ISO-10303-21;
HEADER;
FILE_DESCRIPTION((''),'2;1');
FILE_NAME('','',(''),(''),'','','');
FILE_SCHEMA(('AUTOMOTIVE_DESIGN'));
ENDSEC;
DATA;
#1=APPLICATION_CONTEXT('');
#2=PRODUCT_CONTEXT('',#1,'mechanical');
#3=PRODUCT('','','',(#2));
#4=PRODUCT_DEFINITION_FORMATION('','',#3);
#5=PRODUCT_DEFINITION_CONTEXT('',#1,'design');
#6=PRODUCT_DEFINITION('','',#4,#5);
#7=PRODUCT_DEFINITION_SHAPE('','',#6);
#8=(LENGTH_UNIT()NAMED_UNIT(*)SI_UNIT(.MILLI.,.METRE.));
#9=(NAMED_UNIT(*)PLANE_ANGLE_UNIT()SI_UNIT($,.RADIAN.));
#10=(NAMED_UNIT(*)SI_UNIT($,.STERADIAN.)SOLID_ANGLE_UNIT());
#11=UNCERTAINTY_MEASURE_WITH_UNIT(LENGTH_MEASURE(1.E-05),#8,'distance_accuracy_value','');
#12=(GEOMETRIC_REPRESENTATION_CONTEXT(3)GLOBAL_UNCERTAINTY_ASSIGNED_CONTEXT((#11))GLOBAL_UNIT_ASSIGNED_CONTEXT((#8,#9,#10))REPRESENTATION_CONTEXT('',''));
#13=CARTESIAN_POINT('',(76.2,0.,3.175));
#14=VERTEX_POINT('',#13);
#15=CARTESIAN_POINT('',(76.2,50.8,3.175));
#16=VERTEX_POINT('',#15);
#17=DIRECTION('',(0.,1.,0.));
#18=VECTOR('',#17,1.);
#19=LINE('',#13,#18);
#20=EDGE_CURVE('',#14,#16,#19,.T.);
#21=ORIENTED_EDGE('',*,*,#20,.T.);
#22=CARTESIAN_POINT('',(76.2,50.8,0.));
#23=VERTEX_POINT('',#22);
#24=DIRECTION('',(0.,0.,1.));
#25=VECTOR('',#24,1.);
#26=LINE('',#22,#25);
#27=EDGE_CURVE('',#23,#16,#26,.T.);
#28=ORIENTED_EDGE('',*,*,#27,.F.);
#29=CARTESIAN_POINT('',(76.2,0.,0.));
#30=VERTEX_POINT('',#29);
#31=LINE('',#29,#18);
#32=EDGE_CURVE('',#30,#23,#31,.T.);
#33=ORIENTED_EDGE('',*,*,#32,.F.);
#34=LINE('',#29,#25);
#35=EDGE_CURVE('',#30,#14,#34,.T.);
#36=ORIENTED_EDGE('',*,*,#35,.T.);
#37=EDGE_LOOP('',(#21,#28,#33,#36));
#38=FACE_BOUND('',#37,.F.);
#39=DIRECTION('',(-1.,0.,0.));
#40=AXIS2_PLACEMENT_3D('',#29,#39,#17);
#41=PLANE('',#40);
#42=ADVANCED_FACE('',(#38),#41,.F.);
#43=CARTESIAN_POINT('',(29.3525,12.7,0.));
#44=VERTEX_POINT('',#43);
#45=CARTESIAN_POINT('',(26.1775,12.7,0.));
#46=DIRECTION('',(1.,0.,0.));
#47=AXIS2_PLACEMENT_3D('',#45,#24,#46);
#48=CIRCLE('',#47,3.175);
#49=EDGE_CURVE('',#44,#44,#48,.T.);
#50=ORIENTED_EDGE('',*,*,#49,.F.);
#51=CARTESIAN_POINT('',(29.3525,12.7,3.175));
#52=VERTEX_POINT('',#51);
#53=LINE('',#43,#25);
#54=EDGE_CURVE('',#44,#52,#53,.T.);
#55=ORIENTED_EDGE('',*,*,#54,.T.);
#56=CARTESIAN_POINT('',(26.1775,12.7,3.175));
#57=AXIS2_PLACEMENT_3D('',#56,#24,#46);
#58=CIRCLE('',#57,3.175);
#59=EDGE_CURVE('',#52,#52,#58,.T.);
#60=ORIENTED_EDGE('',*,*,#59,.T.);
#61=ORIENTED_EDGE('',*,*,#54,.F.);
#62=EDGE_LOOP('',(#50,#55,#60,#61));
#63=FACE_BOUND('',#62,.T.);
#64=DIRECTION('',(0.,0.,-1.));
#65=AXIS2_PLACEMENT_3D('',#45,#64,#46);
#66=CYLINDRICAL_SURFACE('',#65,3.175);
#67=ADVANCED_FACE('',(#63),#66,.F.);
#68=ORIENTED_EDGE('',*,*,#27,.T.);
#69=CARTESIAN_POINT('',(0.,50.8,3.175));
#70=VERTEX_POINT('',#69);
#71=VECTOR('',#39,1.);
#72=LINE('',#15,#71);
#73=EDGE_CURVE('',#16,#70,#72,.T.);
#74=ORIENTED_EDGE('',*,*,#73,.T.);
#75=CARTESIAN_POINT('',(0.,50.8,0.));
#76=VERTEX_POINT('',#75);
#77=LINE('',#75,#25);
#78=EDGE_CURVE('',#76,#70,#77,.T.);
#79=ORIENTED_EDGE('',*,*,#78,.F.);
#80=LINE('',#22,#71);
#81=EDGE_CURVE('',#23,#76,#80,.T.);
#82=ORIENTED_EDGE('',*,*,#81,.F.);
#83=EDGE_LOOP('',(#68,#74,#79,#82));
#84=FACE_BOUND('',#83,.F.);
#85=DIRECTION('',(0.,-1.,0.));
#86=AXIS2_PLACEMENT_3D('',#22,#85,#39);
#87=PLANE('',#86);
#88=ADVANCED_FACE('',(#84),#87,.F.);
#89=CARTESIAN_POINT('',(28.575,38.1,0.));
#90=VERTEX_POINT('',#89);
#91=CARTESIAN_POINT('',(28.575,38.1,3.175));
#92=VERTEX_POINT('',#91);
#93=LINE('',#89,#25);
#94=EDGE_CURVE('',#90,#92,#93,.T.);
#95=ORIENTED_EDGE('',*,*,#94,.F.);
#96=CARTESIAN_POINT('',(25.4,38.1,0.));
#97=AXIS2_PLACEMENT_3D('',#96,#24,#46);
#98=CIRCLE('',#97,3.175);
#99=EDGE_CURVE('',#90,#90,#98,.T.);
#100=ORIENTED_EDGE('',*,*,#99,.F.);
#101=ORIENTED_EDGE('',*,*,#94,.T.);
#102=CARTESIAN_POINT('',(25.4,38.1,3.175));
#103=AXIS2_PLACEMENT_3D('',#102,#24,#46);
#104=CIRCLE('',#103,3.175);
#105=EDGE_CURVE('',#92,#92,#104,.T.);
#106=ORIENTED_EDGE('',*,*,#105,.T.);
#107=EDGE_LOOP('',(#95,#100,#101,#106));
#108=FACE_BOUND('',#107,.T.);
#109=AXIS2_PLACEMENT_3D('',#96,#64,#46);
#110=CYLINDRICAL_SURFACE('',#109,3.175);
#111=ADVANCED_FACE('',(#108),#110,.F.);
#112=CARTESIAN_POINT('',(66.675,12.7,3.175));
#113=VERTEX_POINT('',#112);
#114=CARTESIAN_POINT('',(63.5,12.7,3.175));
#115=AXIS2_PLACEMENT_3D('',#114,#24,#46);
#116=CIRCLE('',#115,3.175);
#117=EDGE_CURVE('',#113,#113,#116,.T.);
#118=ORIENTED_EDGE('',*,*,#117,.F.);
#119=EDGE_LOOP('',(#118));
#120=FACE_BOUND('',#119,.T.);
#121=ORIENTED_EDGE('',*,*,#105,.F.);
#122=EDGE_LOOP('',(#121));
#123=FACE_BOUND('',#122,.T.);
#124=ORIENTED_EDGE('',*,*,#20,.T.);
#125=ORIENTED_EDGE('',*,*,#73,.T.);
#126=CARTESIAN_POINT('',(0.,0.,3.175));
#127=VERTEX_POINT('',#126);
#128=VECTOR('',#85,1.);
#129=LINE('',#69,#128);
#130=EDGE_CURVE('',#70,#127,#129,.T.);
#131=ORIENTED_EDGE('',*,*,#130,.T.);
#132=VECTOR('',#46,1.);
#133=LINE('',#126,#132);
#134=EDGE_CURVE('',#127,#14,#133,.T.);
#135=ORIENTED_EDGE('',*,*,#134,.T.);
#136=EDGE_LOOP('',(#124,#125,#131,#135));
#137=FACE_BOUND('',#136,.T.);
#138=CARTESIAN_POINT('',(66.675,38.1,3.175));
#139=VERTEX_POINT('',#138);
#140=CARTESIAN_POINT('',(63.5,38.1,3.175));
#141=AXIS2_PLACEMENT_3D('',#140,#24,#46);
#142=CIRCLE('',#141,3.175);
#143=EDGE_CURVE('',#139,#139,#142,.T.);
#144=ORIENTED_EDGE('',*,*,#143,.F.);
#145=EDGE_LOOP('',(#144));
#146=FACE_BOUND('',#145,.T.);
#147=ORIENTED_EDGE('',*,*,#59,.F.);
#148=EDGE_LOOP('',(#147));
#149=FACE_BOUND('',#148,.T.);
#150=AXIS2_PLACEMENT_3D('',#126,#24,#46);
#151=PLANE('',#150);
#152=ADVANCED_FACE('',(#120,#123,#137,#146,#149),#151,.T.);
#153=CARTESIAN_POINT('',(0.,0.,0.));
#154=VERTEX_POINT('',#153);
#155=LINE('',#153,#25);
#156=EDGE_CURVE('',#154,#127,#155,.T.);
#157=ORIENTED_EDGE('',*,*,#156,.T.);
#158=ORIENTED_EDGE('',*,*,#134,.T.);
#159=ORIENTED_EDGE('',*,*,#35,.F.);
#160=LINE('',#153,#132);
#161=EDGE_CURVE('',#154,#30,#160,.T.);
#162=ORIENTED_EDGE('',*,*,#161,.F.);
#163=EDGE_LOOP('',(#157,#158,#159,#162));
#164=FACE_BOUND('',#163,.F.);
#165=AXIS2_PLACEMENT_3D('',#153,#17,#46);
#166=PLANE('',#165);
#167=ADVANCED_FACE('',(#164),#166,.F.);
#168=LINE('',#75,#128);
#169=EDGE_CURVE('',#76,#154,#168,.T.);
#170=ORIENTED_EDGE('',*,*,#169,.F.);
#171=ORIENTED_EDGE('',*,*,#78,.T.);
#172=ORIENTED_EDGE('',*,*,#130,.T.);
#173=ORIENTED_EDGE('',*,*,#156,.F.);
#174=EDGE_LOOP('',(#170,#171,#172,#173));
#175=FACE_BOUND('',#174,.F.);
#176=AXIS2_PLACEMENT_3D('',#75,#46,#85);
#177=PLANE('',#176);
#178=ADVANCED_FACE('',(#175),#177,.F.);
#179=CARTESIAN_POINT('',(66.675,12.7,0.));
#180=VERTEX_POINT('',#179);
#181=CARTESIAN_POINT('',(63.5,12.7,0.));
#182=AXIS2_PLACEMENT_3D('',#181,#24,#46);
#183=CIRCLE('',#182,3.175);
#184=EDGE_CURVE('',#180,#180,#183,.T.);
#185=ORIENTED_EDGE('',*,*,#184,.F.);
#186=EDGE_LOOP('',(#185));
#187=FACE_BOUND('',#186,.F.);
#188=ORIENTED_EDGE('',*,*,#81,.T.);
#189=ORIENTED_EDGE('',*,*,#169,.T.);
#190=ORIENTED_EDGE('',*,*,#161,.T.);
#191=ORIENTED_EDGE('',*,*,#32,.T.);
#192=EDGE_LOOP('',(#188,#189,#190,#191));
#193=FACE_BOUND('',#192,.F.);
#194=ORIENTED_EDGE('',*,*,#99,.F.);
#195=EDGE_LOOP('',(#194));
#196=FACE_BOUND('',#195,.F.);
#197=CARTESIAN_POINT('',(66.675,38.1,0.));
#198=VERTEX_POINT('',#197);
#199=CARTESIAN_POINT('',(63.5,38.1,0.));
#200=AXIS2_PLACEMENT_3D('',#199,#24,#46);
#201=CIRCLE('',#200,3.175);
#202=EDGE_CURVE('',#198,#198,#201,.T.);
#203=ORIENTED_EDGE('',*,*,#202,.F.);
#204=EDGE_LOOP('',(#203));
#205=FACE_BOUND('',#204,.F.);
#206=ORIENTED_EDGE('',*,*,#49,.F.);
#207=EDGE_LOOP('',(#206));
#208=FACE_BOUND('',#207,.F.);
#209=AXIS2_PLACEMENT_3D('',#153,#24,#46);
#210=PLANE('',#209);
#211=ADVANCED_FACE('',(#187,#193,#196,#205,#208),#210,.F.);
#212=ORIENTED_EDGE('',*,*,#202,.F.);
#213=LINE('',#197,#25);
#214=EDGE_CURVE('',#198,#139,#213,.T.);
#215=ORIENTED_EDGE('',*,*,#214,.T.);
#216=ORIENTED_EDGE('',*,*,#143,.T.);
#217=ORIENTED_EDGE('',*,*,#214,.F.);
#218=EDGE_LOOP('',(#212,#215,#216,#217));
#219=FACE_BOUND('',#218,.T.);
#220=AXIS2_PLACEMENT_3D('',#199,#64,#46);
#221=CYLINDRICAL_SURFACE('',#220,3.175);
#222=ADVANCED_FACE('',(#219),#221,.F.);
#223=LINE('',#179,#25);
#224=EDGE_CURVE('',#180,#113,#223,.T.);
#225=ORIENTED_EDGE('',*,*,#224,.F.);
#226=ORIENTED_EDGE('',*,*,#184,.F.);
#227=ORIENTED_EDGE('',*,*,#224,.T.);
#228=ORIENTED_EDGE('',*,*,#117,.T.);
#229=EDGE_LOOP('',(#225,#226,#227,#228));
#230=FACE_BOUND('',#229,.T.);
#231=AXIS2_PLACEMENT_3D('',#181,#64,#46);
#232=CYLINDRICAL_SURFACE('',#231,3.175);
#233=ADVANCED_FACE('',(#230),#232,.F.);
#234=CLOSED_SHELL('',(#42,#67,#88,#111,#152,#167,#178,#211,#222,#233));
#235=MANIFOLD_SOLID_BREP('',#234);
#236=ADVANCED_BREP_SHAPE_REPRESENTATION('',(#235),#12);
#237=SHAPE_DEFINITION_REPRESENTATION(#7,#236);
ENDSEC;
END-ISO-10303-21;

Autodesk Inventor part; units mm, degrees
ref_plane "YZ Plane" through (0, 0, 0) normal (1, 0, 0) x (0, 1, 0)
ref_plane "XZ Plane" through (0, 0, 0) normal (0, 1, 0) x (-1, 0, 0)
ref_plane "XY Plane" through (0, 0, 0) normal (0, 0, 1) x (1, 0, 0)
sketch "Sketch1" plane through (0, 0, 0) normal (0, 0, 1) x (1, 0, 0)
  line L0 (0, 0) -> (76.2, 0)
  line L1 (76.2, 0) -> (76.2, 50.8)
  line L2 (76.2, 50.8) -> (0, 50.8)
  line L3 (0, 50.8) -> (0, 0)
  circle A0 centre (25.4, 38.1) radius 3.175
  circle A1 centre (26.1775, 12.7) radius 3.175
  circle A2 centre (63.5, 38.1) radius 3.175
  circle A3 centre (63.5, 12.7) radius 3.175
  dimension "d0" = 76.2
  dimension "d1" = 50.8
  dimension "d2" = 6.35
  dimension "d3" = 6.35
  dimension "d4" = 25.4
  dimension "d5" = 12.7
  dimension "d6" = 25.4
  dimension "d7" = 6.35
  dimension "d8" = 6.35
  dimension "d9" = 25.4
  dimension "d12" = 12.7
  dimension "d13" = 12.7
  dimension "d14" = 12.7
extrude "Extrusion1" add sketch "Sketch1" along normal blind 3.175
properties part number "gusset 1"
